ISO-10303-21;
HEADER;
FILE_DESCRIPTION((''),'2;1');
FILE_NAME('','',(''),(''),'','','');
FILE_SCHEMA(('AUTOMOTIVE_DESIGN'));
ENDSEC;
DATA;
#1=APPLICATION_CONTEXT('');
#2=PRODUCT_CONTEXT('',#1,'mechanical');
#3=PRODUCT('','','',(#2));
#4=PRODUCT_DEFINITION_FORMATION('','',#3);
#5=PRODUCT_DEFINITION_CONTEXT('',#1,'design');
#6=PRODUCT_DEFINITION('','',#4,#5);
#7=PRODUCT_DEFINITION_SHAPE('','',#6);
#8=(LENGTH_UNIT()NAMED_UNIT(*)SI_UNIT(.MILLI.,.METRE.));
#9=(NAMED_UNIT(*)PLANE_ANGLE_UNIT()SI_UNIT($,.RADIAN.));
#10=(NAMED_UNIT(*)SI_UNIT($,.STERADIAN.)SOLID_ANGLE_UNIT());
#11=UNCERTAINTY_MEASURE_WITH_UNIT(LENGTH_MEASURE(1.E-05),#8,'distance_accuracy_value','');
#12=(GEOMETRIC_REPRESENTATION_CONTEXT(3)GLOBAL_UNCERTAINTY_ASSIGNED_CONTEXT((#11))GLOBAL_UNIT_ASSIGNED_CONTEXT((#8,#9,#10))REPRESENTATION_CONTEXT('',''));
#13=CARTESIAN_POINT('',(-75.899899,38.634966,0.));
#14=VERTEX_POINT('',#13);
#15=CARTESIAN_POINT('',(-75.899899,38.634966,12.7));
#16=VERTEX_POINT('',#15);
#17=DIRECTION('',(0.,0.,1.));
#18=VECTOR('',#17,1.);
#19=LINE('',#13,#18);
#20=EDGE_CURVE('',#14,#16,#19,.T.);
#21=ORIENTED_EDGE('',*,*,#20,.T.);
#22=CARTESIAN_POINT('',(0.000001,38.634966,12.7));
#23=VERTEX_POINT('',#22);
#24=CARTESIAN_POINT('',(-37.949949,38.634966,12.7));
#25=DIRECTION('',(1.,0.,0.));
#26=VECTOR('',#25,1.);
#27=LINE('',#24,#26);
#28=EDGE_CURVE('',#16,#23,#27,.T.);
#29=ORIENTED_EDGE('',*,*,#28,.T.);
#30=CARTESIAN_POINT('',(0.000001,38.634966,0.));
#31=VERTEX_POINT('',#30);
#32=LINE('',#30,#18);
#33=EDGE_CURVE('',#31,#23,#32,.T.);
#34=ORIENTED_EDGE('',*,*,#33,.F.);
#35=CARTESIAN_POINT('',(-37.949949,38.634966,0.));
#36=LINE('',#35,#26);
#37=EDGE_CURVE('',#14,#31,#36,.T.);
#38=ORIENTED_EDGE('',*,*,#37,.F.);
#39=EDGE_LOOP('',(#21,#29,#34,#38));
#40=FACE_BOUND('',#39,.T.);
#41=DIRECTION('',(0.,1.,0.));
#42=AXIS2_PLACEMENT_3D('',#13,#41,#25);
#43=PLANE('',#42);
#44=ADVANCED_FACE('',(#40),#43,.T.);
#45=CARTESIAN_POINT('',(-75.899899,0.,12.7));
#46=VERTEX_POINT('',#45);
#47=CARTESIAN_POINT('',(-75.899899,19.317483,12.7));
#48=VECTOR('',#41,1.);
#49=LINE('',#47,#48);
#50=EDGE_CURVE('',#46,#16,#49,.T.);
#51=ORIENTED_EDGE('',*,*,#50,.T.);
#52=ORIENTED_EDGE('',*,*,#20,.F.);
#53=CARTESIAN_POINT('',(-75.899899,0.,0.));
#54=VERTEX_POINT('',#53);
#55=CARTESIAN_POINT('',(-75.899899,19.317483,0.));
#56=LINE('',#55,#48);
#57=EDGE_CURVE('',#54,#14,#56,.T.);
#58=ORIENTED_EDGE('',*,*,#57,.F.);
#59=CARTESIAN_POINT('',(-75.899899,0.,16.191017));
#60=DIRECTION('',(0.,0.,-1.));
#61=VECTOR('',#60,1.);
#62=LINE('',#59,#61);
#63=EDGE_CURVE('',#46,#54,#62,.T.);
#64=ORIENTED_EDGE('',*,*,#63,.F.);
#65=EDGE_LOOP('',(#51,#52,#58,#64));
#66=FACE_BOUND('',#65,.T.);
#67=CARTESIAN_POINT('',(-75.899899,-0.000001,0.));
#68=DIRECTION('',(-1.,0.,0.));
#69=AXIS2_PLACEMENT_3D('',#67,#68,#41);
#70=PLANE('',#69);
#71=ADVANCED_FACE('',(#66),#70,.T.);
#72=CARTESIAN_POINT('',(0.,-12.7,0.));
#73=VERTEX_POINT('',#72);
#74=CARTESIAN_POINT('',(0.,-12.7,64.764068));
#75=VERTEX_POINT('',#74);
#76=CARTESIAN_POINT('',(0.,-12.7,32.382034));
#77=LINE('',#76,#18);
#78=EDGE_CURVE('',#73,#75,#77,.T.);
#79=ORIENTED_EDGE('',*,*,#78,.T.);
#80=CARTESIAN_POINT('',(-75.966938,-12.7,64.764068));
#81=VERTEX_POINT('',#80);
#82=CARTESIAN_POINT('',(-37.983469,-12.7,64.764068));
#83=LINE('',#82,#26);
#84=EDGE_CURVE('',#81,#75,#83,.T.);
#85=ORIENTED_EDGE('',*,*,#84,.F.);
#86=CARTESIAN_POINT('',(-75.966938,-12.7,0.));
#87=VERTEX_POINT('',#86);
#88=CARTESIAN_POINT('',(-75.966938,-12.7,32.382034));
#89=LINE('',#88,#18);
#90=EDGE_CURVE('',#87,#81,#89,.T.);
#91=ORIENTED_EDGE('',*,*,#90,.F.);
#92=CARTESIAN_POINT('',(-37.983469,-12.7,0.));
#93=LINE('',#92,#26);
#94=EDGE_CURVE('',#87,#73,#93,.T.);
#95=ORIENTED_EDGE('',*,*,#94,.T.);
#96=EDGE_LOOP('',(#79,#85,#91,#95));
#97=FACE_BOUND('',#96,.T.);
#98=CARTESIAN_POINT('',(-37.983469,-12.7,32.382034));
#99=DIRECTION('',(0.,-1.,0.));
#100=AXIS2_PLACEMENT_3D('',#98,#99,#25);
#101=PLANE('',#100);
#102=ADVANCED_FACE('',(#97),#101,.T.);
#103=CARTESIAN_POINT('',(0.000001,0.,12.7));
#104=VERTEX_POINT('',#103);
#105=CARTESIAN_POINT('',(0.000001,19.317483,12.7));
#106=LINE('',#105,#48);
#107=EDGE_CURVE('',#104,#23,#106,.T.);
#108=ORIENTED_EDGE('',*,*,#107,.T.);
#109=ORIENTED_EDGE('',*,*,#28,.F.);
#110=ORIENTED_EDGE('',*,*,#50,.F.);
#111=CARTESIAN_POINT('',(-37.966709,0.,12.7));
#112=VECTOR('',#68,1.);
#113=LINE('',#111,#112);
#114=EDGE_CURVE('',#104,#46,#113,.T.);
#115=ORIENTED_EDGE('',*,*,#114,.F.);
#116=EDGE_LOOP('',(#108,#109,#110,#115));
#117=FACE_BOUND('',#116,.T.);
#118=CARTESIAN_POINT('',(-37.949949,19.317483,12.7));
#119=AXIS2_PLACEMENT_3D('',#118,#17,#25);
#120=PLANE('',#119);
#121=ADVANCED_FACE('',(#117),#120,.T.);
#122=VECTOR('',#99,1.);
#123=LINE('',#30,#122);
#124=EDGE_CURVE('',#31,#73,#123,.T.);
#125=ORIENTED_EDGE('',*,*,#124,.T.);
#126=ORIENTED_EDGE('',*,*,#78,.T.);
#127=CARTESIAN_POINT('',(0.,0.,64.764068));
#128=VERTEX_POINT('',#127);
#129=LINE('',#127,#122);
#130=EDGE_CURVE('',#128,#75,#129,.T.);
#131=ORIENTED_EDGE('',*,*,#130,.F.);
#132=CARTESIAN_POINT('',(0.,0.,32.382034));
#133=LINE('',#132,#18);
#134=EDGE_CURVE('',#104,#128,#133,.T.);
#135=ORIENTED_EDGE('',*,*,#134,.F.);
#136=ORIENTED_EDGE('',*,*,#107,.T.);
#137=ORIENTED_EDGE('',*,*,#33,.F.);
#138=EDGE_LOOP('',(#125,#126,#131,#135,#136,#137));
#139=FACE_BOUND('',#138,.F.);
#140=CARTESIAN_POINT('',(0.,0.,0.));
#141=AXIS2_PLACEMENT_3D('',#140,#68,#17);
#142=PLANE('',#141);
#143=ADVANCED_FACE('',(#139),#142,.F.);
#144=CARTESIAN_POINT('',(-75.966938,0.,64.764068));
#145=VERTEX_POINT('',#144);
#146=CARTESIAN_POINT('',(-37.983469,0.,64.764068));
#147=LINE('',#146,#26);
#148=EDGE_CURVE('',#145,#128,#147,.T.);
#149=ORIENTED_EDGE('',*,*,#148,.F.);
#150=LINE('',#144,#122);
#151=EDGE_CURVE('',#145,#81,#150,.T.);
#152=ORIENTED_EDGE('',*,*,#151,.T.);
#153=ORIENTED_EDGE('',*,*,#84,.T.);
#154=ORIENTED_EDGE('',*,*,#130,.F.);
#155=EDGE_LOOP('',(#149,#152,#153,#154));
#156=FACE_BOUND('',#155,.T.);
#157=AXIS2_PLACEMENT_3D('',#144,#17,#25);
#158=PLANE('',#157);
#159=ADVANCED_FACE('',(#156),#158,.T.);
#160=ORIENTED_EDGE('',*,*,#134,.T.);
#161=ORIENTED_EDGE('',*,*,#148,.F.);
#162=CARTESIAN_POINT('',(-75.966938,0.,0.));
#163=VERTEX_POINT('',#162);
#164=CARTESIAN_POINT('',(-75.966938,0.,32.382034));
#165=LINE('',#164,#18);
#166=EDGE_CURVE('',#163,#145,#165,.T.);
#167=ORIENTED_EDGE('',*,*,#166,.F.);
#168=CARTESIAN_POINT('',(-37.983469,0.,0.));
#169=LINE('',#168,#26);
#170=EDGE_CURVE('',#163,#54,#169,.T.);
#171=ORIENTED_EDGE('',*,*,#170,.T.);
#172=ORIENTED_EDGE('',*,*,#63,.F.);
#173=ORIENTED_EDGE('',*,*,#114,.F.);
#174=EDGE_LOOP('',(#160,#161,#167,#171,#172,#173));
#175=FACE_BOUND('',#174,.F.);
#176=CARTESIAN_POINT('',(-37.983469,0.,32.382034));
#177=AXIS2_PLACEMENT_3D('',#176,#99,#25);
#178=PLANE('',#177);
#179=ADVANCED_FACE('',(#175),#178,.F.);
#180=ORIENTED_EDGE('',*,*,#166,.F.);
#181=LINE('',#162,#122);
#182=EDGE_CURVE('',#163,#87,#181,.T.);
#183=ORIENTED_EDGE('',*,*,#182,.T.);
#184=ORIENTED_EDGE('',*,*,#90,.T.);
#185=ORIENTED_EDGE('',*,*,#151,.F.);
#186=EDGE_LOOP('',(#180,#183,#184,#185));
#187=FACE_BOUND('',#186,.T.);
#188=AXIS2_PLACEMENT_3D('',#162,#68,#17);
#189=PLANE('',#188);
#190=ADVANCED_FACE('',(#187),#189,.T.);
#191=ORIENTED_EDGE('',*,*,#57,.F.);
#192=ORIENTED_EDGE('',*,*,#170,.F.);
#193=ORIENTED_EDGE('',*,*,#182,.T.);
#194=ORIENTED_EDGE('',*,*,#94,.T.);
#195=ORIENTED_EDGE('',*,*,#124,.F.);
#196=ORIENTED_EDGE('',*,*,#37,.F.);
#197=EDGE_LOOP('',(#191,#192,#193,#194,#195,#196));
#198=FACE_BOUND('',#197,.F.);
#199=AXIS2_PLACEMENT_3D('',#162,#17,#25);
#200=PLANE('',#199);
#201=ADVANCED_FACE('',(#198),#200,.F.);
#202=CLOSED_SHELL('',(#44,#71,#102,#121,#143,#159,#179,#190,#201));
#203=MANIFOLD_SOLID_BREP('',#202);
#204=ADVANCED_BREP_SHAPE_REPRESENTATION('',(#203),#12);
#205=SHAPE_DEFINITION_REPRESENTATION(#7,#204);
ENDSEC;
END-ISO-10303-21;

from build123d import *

# Parameters (mm, degrees)
F0_W     = 75.966939
F0_H     = 64.764068
F1_DEPTH = 12.7
F2_W     = 75.899899
F2_H     = 38.634967
F3_DEPTH = 12.7


with BuildPart() as f1:
    # F0 (on Front) → F1 (new body)
    with BuildSketch(Plane.XZ):
        with Locations((-37.983469, 32.382034)):
            Rectangle(F0_W, F0_H)
    extrude(amount=F1_DEPTH)

    # F2 (on Top) → F3 (join)
    with BuildSketch(Plane.XY):
        with Locations((-37.949949, 19.317483)):
            Rectangle(F2_W, F2_H)
    extrude(amount=F3_DEPTH)


solid = f1.part
